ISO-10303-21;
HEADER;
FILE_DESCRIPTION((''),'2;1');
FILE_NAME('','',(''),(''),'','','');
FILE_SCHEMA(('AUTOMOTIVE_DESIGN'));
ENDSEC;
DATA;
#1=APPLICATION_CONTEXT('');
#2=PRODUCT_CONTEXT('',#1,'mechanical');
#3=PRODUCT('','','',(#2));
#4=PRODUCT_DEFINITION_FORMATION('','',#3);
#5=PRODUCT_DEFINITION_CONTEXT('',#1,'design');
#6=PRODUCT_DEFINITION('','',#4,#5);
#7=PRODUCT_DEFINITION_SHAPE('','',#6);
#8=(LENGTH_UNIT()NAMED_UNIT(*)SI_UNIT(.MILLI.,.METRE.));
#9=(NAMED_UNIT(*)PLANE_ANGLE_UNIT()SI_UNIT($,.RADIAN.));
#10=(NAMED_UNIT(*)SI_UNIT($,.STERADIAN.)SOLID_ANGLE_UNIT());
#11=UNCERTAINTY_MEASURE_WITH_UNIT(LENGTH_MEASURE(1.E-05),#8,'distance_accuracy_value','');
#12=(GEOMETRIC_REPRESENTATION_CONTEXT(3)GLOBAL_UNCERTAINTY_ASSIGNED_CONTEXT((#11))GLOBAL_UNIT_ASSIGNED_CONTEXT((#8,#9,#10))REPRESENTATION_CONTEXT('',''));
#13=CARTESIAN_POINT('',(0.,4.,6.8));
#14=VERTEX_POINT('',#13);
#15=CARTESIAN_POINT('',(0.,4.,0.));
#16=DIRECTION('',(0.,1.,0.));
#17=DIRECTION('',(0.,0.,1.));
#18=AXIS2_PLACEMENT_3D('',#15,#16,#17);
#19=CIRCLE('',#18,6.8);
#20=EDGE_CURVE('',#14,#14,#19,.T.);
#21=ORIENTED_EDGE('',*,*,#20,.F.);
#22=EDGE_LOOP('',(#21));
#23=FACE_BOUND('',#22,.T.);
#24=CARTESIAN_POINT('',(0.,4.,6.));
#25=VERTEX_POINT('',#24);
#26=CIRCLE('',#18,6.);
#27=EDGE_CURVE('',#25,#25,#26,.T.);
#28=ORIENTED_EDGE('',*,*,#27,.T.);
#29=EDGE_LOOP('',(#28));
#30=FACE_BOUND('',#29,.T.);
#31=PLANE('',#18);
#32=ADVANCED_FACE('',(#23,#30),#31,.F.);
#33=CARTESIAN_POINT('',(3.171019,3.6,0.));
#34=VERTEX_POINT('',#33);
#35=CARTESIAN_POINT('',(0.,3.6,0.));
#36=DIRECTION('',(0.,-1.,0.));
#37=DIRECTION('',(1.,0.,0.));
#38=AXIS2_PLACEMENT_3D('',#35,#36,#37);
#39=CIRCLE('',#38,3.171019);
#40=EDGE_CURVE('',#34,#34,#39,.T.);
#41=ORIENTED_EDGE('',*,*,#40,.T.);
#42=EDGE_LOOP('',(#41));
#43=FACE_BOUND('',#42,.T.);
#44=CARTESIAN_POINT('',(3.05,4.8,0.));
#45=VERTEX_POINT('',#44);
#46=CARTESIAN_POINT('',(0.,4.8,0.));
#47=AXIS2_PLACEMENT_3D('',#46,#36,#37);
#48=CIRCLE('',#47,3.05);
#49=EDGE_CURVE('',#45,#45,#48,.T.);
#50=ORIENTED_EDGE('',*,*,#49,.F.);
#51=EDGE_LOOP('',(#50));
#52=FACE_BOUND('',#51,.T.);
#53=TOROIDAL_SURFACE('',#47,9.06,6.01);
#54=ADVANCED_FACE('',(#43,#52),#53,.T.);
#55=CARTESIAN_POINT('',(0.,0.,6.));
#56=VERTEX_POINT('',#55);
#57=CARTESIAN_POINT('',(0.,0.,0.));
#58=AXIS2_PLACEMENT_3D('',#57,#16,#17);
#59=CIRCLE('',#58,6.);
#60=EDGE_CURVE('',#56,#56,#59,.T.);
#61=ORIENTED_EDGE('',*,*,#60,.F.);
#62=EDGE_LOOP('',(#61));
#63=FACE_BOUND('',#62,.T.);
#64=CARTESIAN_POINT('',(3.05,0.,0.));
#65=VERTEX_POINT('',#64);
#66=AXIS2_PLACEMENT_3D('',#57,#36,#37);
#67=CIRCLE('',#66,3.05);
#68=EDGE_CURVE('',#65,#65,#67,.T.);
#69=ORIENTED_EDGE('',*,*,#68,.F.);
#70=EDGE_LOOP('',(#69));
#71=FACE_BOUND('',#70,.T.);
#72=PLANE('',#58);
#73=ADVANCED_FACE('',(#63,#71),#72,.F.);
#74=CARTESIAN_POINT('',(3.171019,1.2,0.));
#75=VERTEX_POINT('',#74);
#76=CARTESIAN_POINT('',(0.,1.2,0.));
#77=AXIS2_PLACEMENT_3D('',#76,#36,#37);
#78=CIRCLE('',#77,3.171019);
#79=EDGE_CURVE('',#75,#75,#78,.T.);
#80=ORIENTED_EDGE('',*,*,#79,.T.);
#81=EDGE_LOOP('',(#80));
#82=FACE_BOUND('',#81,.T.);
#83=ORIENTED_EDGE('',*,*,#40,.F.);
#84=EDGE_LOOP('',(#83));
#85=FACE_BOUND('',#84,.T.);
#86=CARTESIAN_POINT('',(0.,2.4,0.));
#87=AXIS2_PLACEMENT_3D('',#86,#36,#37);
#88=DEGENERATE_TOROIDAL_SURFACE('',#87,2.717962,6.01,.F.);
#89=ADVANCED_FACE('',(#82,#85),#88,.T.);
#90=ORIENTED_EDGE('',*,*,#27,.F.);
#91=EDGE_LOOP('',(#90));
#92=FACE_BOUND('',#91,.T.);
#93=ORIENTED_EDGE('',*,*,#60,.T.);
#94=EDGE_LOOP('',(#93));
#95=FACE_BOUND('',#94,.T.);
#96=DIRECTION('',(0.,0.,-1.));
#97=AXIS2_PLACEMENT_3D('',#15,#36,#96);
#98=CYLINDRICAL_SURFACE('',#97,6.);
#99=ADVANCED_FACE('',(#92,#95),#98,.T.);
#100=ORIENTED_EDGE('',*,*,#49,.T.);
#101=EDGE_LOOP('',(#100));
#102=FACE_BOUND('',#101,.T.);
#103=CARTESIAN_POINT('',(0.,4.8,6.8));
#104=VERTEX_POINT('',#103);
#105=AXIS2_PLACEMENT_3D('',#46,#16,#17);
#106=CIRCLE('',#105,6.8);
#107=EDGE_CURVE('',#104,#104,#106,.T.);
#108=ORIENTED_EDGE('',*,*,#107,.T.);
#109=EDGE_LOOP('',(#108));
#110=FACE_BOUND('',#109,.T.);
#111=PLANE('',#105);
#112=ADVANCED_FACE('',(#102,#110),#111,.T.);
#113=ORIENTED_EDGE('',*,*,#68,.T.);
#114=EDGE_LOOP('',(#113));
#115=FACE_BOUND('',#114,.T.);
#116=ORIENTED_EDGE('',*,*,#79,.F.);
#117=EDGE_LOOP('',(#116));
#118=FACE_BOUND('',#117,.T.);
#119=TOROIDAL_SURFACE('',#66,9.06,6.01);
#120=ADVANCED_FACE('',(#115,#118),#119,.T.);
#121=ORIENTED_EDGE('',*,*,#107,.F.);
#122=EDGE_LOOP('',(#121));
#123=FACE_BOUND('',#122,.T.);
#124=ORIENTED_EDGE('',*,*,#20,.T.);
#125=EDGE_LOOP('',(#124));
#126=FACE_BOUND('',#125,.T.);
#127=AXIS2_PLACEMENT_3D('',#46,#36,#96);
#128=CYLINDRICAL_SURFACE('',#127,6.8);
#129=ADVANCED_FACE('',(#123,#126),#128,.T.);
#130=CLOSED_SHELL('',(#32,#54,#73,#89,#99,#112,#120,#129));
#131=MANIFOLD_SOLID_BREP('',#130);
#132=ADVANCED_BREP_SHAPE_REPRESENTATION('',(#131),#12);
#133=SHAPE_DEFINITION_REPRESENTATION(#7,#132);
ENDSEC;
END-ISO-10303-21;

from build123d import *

# Parameters (mm, degrees)
SKETCH1_R           = 6
SKETCH1_R_2         = 3.05
BOSS_EXTRUDE1_DEPTH = 4
SKETCH2_R           = 6.8
SKETCH2_R_2         = 3.05
BOSS_EXTRUDE2_DEPTH = 0.8


with BuildPart() as part:
    # Sketch1 → Boss-Extrude1 (new body)
    with BuildSketch(Plane(origin=(0, 0, 0), x_dir=(1, 0, 0), z_dir=(0, 1, 0))):
        with Locations(Location((0, 0, 0), (0, 0, 270))):
            Circle(SKETCH1_R)
        with Locations(Location((0, 0, 0), (0, 0, 270))):
            Circle(SKETCH1_R_2, mode=Mode.SUBTRACT)
    extrude(amount=BOSS_EXTRUDE1_DEPTH)

    # Sketch2 → Boss-Extrude2 (add)
    with BuildSketch(Plane(origin=(0, 4, 0), x_dir=(1, 0, 0), z_dir=(0, 1, 0))):
        with Locations(Location((0, 0, 0), (0, 0, 270))):
            Circle(SKETCH2_R)
        with Locations(Location((0, 0, 0), (0, 0, 270))):
            Circle(SKETCH2_R_2, mode=Mode.SUBTRACT)
    extrude(amount=BOSS_EXTRUDE2_DEPTH)

    # Sketch3 → Cut-Revolve1 (revolve, cut)
    with BuildSketch(Plane.XY, mode=Mode.PRIVATE) as cut_revolve1_sk:
        with BuildLine():
            Line((-3.05, 0), (-3.05, 4.8))
            ThreePointArc((-3.05, 4.8), (-3.080331229, 4.196956564), (-3.171018764, 3.6))
            ThreePointArc((-3.171018764, 3.6), (-3.292037528, 2.4), (-3.171018764, 1.2))
            ThreePointArc((-3.171018764, 1.2), (-3.080331229, 0.603043436), (-3.05, 0))
        make_face()
    revolve(cut_revolve1_sk.sketch.rotate(Axis((0, 0, 0), (0, 1, 0)), 180), axis=Axis((0, 0, 0), (0, 1, 0)), mode=Mode.SUBTRACT)


solid = part.part
